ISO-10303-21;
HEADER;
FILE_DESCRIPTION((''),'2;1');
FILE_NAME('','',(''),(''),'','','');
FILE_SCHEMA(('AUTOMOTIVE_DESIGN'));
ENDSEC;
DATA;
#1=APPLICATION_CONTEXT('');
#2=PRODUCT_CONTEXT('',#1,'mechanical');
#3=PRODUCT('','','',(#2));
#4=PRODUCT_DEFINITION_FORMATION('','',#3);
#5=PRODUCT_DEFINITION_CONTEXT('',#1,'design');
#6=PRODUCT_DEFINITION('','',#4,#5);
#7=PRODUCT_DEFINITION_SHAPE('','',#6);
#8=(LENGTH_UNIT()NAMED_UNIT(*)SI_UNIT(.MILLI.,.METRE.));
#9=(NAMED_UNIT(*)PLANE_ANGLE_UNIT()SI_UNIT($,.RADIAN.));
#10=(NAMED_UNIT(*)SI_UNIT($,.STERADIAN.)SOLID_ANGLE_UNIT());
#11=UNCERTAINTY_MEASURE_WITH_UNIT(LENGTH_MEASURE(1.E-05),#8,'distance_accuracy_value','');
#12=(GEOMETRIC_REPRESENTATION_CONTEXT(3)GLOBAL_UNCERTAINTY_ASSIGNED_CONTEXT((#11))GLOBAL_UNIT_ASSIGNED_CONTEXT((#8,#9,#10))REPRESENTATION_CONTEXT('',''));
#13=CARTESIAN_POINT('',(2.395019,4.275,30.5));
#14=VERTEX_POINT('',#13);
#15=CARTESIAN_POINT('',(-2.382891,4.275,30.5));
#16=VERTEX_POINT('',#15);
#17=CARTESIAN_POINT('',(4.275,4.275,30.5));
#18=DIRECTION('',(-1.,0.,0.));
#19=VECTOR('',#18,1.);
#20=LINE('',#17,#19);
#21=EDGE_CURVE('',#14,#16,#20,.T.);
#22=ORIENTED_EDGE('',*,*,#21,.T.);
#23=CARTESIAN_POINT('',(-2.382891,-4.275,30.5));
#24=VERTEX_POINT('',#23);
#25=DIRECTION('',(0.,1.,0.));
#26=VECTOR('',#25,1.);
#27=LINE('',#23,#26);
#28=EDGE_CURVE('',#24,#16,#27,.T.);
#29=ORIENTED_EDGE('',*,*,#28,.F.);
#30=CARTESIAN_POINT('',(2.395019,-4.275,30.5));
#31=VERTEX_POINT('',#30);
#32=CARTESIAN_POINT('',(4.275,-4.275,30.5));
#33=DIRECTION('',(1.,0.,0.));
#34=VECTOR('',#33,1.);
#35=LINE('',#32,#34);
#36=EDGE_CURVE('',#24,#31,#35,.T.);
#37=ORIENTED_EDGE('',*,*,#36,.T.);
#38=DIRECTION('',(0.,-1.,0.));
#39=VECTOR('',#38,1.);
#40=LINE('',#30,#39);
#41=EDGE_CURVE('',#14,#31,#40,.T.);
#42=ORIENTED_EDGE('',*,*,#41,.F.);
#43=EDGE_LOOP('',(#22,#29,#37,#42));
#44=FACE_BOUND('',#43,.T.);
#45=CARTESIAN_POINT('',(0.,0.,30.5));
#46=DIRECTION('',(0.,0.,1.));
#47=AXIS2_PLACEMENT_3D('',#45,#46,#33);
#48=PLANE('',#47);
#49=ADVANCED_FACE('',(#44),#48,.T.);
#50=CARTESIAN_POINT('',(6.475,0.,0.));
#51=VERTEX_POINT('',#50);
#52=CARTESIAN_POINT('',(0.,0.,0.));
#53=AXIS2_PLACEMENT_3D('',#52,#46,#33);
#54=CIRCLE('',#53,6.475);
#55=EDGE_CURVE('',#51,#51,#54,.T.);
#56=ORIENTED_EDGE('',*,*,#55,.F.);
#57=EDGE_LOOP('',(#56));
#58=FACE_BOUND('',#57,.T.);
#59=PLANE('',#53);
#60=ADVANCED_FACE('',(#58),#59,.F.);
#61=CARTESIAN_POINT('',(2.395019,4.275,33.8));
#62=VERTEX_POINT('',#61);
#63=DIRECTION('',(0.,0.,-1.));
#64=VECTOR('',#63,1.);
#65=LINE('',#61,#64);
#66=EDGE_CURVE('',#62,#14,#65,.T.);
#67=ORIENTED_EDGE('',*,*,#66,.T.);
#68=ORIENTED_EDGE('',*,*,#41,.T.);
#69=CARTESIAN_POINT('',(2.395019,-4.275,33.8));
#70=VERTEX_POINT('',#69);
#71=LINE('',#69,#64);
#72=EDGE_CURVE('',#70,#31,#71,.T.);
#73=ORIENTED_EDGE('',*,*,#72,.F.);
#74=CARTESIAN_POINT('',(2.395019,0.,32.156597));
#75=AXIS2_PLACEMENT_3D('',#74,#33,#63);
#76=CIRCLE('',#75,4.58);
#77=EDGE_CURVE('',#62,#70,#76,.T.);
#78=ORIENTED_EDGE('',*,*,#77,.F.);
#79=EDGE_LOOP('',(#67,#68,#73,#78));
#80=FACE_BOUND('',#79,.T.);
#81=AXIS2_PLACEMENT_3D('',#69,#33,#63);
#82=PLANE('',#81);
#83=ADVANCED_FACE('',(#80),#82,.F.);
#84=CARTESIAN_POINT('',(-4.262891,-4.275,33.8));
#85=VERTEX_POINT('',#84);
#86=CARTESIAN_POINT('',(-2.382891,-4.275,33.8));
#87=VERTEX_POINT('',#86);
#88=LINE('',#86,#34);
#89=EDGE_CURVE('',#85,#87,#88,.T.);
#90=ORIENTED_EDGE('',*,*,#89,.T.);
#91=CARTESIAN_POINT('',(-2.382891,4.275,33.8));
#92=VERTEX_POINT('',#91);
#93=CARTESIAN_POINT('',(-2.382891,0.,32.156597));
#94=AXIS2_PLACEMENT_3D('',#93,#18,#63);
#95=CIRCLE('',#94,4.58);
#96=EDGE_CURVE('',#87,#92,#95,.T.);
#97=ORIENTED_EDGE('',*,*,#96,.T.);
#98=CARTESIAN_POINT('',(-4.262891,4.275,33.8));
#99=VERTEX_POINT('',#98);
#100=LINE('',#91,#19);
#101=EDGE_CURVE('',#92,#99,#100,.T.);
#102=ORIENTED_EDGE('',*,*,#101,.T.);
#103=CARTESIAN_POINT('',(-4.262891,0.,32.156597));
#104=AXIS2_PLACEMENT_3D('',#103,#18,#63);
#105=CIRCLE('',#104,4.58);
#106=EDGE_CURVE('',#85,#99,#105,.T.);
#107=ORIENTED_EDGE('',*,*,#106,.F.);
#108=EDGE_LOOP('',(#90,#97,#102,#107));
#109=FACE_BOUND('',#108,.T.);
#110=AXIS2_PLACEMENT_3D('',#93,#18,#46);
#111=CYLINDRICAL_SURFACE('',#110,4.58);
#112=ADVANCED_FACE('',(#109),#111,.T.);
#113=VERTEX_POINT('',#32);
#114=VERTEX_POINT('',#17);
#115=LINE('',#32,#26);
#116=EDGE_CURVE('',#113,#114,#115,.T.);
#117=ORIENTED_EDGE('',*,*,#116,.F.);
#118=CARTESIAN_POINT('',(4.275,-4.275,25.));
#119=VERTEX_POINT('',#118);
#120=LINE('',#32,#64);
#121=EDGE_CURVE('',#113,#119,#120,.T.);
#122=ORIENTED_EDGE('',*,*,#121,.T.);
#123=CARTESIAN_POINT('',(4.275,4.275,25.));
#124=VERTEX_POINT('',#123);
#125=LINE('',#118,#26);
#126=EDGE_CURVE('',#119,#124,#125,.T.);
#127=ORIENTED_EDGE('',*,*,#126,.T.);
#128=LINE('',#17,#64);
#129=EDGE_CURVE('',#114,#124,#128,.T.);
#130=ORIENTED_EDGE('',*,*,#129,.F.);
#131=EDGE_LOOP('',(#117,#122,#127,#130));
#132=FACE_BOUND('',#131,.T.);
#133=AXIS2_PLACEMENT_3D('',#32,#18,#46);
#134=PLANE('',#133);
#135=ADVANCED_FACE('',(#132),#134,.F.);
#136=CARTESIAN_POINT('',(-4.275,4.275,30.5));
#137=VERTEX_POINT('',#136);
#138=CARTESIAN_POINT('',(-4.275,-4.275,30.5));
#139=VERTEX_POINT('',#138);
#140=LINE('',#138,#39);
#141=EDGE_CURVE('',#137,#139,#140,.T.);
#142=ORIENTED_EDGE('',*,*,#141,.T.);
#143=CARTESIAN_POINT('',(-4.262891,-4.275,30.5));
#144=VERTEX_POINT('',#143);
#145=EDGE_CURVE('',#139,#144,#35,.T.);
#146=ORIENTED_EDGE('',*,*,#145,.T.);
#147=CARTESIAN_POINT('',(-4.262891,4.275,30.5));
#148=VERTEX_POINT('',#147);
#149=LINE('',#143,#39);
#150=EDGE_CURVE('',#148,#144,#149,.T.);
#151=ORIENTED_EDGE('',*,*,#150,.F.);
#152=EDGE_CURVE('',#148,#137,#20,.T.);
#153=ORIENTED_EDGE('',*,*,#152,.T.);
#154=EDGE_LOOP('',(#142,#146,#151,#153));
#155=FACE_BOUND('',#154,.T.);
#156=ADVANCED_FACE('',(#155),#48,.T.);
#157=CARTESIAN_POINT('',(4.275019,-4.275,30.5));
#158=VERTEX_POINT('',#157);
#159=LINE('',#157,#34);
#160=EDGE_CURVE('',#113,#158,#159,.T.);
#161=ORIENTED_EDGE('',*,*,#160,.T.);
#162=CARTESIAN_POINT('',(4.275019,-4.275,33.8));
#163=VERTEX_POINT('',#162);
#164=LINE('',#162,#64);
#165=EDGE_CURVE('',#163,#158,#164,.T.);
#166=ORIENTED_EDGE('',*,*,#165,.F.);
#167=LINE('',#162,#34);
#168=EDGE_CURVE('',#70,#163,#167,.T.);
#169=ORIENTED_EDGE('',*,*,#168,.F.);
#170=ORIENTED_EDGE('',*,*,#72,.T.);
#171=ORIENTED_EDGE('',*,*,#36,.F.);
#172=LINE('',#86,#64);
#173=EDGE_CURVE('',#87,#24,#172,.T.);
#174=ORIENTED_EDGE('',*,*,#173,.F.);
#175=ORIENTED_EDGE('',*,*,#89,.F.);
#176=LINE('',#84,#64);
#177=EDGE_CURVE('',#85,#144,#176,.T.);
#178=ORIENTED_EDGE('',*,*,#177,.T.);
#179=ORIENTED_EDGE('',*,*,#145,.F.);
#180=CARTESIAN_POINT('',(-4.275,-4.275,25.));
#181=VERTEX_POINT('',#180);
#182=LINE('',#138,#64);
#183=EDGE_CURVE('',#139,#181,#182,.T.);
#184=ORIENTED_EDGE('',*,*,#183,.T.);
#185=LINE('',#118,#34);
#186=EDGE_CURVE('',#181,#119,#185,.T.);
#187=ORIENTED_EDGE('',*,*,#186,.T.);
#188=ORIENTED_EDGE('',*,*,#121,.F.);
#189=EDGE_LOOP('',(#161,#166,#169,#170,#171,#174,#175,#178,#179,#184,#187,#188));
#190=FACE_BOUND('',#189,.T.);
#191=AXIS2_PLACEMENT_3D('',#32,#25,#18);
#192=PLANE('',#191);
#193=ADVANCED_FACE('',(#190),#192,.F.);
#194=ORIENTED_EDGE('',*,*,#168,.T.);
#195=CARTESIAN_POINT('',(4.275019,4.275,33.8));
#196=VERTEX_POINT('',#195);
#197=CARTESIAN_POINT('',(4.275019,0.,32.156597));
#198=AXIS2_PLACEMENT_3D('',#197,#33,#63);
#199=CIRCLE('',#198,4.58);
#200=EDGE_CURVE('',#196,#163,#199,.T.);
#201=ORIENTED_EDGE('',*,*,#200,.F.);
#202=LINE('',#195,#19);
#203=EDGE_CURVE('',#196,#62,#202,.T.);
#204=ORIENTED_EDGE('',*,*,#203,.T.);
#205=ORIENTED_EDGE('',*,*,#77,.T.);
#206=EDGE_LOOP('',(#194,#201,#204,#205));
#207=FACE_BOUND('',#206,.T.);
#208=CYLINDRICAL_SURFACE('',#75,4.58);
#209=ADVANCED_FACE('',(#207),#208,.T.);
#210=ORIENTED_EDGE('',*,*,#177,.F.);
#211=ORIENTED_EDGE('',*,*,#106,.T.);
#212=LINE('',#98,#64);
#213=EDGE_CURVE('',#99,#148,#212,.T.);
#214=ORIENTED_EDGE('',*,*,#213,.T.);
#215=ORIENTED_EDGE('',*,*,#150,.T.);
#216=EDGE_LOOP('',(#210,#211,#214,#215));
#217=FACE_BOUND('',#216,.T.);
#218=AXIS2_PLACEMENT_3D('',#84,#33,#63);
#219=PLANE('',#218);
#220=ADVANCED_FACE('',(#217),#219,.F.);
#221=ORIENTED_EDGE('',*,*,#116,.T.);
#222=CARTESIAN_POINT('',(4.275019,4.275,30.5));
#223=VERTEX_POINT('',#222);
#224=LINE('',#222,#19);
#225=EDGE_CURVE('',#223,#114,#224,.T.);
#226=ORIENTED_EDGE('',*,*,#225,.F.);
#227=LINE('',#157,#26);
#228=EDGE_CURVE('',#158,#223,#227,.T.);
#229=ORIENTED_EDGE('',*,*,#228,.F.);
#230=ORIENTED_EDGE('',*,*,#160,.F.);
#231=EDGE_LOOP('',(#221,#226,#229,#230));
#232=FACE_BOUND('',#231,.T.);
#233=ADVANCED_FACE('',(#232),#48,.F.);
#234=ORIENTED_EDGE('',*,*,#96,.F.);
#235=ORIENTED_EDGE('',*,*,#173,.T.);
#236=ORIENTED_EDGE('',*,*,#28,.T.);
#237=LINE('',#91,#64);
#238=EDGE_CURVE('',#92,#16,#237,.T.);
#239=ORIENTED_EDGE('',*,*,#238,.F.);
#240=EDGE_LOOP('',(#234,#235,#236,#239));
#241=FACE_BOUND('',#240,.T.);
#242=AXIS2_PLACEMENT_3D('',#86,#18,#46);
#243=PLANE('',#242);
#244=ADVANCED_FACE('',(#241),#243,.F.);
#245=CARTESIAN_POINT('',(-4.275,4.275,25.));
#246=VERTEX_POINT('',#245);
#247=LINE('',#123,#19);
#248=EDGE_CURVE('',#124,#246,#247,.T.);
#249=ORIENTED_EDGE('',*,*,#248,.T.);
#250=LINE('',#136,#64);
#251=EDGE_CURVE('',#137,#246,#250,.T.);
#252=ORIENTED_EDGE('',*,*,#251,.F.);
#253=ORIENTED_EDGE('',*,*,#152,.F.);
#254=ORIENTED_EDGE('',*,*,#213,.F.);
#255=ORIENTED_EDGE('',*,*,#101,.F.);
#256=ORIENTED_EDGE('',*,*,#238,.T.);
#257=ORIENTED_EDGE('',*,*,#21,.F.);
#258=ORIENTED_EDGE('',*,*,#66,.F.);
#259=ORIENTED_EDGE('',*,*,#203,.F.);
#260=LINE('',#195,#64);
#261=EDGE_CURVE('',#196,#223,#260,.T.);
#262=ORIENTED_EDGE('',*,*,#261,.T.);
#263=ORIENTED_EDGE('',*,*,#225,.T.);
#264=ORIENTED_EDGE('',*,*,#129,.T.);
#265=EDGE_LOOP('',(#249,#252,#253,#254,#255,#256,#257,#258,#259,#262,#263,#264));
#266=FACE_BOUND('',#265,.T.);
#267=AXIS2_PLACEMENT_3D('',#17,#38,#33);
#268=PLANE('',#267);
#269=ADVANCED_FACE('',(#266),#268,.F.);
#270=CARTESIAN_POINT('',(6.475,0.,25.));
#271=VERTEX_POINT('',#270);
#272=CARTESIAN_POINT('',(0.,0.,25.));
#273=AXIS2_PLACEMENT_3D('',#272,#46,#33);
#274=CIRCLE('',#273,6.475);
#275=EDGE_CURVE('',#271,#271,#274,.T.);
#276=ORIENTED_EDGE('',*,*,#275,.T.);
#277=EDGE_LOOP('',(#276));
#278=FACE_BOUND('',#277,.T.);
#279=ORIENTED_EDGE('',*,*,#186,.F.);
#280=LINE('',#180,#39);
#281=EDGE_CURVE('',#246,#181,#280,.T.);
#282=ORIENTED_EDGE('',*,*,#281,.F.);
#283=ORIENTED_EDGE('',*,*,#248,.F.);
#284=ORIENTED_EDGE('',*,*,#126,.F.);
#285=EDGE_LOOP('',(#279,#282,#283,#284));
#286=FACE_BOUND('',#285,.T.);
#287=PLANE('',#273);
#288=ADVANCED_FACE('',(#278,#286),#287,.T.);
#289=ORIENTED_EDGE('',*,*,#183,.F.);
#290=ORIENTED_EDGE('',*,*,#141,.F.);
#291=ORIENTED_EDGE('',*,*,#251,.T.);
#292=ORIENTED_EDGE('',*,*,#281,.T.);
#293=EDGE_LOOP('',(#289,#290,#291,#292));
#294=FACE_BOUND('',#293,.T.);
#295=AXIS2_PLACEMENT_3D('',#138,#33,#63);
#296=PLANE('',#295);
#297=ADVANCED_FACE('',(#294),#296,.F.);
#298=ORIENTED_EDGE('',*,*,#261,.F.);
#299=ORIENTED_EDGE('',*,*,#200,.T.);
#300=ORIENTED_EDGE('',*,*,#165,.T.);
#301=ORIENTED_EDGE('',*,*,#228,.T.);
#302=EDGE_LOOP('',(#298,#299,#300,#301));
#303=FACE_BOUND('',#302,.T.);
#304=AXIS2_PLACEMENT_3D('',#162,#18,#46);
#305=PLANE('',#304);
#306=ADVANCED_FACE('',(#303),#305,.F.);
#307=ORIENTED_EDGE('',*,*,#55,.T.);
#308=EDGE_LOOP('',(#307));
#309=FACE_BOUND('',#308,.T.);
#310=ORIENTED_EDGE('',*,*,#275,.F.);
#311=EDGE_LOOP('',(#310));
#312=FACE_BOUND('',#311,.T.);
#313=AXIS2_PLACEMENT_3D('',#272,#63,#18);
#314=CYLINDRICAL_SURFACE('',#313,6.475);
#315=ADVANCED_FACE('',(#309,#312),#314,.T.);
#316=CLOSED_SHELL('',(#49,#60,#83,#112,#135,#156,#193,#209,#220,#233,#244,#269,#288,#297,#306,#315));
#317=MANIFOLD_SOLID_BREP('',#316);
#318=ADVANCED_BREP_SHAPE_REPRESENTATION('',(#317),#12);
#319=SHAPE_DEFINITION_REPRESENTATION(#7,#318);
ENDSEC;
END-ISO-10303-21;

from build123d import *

# Parameters (mm, degrees)
SKETCH1_R           = 6.475
BOSS_EXTRUDE1_DEPTH = 25
SKETCH5_W           = 8.55
SKETCH5_H           = 8.55
BOSS_EXTRUDE2_DEPTH = 5.5
SKETCH10_W          = 1.88
SKETCH10_H          = 8.55
BOSS_EXTRUDE3_DEPTH = 3.3
SKETCH8_W           = 1.88
SKETCH8_H           = 8.55
BOSS_EXTRUDE4_DEPTH = 3.3
BOSS_EXTRUDE5_DEPTH = 1.88
BOSS_EXTRUDE6_DEPTH = 1.88


with BuildPart() as part:
    # Sketch1 → Boss-Extrude1 (new body)
    with BuildSketch(Plane.XY):
        Circle(SKETCH1_R)
    extrude(amount=BOSS_EXTRUDE1_DEPTH)

    # Sketch5 → Boss-Extrude2 (add)
    with BuildSketch(Plane.XY.offset(25)):
        Rectangle(SKETCH5_W, SKETCH5_H)
    extrude(amount=BOSS_EXTRUDE2_DEPTH)

    # Sketch10 → Boss-Extrude3 (add)
    with BuildSketch(Plane.XY.offset(30.5)):
        with Locations((-3.322891498, 0)):
            Rectangle(SKETCH10_W, SKETCH10_H)
    extrude(amount=BOSS_EXTRUDE3_DEPTH)

    # Sketch8 → Boss-Extrude4 (add)
    with BuildSketch(Plane.XY.offset(30.5)):
        with Locations((3.335018839, 0)):
            Rectangle(SKETCH8_W, SKETCH8_H)
    extrude(amount=BOSS_EXTRUDE4_DEPTH)

    # Sketch11 → Boss-Extrude5 (add)
    with BuildSketch(Plane(origin=(4.275018839, 0, 0), x_dir=(0, 0, -1), z_dir=(1, 0, 0))):
        with BuildLine():
            Line((-33.8, 4.275), (-33.8, -4.275))
            ThreePointArc((-33.8, -4.275), (-36.736596519, 0), (-33.8, 4.275))
        make_face()
    extrude(amount=-BOSS_EXTRUDE5_DEPTH)

    # Sketch12 → Boss-Extrude6 (add)
    with BuildSketch(Plane.ZY.offset(4.262891498)):
        with BuildLine():
            Line((33.8, 4.275), (33.8, -4.275))
            ThreePointArc((33.8, -4.275), (36.736596519, 0), (33.8, 4.275))
        make_face()
    extrude(amount=-BOSS_EXTRUDE6_DEPTH)


solid = part.part
